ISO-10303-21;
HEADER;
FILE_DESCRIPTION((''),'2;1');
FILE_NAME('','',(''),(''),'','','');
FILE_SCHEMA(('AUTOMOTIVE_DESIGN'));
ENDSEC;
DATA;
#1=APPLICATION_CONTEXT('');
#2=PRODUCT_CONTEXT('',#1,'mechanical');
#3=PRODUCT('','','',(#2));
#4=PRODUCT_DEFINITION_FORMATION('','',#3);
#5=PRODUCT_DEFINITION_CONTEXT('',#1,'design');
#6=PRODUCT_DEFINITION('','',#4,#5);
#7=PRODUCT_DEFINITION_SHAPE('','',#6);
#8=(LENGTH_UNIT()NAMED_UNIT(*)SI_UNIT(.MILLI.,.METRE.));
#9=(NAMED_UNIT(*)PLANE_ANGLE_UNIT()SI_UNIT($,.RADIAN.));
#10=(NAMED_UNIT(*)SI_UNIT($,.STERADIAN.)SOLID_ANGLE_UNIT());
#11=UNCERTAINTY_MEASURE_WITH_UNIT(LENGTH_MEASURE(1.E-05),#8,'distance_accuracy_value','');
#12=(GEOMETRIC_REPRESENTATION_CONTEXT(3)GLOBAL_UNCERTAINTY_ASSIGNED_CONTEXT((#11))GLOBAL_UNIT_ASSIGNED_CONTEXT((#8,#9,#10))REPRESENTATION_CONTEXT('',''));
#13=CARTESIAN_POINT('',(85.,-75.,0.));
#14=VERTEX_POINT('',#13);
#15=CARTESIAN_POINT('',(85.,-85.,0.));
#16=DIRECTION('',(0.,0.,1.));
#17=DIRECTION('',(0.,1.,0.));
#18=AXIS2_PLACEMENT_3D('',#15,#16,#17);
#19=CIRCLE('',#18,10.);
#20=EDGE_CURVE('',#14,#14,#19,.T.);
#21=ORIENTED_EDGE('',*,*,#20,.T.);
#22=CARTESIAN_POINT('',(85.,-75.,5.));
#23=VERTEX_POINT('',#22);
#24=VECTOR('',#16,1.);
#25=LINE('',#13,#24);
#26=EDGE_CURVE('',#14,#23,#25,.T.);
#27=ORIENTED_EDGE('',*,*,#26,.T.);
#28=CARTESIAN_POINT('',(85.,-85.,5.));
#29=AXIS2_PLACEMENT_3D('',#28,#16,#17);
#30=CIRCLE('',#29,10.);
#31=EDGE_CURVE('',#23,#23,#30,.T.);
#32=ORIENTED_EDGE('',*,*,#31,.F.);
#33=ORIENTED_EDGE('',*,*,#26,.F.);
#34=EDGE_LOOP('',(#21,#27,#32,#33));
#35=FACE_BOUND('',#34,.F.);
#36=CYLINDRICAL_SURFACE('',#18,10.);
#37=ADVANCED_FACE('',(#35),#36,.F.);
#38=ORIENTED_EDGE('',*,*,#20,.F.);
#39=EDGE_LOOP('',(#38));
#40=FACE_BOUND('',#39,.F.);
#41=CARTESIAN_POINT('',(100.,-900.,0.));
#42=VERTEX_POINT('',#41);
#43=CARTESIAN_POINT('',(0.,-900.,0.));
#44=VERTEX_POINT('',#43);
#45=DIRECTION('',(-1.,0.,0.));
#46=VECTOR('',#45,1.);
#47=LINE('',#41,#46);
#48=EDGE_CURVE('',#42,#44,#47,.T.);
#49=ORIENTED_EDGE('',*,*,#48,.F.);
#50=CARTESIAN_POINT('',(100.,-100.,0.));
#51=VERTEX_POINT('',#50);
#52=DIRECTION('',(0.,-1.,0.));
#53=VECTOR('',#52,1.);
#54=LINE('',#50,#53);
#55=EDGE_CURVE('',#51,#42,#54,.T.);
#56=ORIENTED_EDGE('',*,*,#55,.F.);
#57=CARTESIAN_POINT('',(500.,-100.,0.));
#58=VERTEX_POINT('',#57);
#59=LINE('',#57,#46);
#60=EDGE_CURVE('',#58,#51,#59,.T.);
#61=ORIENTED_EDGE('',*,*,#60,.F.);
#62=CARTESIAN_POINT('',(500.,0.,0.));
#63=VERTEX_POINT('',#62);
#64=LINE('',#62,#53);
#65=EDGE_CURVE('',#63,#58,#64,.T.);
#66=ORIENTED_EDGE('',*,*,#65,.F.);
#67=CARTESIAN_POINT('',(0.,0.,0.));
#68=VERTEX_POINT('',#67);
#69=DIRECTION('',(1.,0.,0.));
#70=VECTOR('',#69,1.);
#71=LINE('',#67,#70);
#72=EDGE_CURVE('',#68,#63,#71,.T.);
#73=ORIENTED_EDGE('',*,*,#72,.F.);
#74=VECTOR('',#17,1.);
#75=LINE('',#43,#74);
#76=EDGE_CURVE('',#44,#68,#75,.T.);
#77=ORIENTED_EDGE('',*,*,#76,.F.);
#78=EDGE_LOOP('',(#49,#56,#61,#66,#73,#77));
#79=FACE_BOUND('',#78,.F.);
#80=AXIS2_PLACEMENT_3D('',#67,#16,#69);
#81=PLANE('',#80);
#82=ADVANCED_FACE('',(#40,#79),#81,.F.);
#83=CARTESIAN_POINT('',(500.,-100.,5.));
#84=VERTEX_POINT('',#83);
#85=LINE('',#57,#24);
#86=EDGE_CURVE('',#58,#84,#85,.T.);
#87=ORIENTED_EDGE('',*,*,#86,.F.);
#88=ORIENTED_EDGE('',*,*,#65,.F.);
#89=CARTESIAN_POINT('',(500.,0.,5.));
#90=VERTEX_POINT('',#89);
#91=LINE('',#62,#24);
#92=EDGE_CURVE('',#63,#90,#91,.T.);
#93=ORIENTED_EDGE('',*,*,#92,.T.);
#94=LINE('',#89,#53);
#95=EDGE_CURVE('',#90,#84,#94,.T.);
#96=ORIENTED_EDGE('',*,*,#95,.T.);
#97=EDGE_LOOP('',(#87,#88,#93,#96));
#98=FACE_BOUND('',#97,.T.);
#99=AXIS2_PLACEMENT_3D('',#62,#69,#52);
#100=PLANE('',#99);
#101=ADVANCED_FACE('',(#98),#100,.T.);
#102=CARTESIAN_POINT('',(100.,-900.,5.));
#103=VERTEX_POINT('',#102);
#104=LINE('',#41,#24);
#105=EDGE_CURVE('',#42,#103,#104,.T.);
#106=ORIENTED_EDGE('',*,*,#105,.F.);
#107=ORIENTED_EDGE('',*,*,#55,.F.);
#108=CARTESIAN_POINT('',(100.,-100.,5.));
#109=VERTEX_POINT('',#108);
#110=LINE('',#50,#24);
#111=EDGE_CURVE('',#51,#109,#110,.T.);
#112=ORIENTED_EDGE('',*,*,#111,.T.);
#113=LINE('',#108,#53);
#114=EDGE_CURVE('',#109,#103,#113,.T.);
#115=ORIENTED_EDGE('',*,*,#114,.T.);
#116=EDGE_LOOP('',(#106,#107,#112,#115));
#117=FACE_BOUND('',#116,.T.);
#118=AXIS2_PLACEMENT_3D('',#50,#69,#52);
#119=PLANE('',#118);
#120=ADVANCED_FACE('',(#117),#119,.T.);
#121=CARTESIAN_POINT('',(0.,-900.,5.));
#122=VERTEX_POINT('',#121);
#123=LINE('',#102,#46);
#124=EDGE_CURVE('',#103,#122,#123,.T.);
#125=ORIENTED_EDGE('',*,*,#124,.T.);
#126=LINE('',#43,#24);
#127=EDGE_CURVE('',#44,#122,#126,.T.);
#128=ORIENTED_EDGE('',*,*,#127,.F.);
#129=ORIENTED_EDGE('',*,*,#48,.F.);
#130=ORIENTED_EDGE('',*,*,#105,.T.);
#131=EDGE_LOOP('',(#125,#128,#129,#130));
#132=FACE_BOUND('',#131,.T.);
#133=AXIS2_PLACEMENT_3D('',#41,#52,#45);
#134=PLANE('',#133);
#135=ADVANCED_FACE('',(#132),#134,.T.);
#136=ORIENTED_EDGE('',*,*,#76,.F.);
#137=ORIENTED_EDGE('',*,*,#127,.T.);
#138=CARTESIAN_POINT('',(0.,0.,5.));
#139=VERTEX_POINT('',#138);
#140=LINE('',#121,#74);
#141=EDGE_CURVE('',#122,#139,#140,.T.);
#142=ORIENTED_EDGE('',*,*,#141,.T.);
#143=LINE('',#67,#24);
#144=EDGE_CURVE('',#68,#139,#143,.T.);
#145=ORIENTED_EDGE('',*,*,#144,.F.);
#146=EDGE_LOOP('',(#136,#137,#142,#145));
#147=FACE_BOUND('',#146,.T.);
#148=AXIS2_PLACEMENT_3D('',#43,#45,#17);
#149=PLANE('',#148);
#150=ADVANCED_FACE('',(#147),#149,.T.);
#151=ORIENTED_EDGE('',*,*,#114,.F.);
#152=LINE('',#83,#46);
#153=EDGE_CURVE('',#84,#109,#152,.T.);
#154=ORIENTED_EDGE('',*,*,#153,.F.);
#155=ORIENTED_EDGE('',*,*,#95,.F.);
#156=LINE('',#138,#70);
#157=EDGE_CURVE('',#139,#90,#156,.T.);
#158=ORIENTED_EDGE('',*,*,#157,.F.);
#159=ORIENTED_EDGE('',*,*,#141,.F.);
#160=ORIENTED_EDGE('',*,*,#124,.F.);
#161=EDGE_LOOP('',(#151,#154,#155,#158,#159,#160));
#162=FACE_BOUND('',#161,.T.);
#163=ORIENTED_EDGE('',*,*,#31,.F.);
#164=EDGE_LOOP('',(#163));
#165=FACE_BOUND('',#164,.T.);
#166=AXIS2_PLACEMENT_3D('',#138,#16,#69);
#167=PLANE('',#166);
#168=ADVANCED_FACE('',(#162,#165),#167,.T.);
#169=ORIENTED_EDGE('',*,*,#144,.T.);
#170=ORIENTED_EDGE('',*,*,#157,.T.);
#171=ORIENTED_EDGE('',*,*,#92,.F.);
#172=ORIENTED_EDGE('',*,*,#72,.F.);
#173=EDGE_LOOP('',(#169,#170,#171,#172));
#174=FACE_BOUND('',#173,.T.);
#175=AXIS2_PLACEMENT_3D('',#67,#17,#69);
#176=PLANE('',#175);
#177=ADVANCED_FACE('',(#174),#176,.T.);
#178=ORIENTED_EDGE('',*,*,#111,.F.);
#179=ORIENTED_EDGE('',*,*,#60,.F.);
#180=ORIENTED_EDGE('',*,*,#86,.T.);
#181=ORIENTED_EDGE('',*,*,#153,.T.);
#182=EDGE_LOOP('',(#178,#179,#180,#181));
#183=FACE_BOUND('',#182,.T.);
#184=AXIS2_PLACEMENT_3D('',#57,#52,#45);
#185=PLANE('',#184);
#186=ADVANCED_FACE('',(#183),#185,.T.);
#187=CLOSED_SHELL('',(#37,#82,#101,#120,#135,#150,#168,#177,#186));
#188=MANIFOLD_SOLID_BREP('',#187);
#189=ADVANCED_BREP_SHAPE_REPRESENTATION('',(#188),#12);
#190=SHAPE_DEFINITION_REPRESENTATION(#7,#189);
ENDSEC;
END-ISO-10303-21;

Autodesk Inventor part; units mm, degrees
ref_plane "YZ Plane" through (0, 0, 0) normal (1, 0, 0) x (0, 1, 0)
ref_plane "XZ Plane" through (0, 0, 0) normal (0, 1, 0) x (-1, 0, 0)
ref_plane "XY Plane" through (0, 0, 0) normal (0, 0, 1) x (1, 0, 0)
sketch "Sketch1" plane through (0, 0, 0) normal (0, 0, 1) x (1, 0, 0)
  line L0 (0, 0) -> (500, 0)
  line L1 (500, 0) -> (500, -100)
  line L2 (500, -100) -> (100, -100)
  line L3 (100, -100) -> (100, -900)
  line L4 (100, -900) -> (0, -900)
  line L5 (0, -900) -> (0, 0)
  line L6 (100, -100) -> (85, -100) construction
  line L7 (85, -100) -> (85, -85) construction
  dimension "d0" = 500
  dimension "d1" = 100
  dimension "d2" = 400
  dimension "d3" = 800
  dimension "d6" = 15
extrude "Extrusion1" add sketch "Sketch1" along normal blind 5
hole "Hole1" at (85, -85, 0) direction (0, 0, 1) diameter 20 end through all
properties part number "stand_plate1" material "Plywood, Finish"
